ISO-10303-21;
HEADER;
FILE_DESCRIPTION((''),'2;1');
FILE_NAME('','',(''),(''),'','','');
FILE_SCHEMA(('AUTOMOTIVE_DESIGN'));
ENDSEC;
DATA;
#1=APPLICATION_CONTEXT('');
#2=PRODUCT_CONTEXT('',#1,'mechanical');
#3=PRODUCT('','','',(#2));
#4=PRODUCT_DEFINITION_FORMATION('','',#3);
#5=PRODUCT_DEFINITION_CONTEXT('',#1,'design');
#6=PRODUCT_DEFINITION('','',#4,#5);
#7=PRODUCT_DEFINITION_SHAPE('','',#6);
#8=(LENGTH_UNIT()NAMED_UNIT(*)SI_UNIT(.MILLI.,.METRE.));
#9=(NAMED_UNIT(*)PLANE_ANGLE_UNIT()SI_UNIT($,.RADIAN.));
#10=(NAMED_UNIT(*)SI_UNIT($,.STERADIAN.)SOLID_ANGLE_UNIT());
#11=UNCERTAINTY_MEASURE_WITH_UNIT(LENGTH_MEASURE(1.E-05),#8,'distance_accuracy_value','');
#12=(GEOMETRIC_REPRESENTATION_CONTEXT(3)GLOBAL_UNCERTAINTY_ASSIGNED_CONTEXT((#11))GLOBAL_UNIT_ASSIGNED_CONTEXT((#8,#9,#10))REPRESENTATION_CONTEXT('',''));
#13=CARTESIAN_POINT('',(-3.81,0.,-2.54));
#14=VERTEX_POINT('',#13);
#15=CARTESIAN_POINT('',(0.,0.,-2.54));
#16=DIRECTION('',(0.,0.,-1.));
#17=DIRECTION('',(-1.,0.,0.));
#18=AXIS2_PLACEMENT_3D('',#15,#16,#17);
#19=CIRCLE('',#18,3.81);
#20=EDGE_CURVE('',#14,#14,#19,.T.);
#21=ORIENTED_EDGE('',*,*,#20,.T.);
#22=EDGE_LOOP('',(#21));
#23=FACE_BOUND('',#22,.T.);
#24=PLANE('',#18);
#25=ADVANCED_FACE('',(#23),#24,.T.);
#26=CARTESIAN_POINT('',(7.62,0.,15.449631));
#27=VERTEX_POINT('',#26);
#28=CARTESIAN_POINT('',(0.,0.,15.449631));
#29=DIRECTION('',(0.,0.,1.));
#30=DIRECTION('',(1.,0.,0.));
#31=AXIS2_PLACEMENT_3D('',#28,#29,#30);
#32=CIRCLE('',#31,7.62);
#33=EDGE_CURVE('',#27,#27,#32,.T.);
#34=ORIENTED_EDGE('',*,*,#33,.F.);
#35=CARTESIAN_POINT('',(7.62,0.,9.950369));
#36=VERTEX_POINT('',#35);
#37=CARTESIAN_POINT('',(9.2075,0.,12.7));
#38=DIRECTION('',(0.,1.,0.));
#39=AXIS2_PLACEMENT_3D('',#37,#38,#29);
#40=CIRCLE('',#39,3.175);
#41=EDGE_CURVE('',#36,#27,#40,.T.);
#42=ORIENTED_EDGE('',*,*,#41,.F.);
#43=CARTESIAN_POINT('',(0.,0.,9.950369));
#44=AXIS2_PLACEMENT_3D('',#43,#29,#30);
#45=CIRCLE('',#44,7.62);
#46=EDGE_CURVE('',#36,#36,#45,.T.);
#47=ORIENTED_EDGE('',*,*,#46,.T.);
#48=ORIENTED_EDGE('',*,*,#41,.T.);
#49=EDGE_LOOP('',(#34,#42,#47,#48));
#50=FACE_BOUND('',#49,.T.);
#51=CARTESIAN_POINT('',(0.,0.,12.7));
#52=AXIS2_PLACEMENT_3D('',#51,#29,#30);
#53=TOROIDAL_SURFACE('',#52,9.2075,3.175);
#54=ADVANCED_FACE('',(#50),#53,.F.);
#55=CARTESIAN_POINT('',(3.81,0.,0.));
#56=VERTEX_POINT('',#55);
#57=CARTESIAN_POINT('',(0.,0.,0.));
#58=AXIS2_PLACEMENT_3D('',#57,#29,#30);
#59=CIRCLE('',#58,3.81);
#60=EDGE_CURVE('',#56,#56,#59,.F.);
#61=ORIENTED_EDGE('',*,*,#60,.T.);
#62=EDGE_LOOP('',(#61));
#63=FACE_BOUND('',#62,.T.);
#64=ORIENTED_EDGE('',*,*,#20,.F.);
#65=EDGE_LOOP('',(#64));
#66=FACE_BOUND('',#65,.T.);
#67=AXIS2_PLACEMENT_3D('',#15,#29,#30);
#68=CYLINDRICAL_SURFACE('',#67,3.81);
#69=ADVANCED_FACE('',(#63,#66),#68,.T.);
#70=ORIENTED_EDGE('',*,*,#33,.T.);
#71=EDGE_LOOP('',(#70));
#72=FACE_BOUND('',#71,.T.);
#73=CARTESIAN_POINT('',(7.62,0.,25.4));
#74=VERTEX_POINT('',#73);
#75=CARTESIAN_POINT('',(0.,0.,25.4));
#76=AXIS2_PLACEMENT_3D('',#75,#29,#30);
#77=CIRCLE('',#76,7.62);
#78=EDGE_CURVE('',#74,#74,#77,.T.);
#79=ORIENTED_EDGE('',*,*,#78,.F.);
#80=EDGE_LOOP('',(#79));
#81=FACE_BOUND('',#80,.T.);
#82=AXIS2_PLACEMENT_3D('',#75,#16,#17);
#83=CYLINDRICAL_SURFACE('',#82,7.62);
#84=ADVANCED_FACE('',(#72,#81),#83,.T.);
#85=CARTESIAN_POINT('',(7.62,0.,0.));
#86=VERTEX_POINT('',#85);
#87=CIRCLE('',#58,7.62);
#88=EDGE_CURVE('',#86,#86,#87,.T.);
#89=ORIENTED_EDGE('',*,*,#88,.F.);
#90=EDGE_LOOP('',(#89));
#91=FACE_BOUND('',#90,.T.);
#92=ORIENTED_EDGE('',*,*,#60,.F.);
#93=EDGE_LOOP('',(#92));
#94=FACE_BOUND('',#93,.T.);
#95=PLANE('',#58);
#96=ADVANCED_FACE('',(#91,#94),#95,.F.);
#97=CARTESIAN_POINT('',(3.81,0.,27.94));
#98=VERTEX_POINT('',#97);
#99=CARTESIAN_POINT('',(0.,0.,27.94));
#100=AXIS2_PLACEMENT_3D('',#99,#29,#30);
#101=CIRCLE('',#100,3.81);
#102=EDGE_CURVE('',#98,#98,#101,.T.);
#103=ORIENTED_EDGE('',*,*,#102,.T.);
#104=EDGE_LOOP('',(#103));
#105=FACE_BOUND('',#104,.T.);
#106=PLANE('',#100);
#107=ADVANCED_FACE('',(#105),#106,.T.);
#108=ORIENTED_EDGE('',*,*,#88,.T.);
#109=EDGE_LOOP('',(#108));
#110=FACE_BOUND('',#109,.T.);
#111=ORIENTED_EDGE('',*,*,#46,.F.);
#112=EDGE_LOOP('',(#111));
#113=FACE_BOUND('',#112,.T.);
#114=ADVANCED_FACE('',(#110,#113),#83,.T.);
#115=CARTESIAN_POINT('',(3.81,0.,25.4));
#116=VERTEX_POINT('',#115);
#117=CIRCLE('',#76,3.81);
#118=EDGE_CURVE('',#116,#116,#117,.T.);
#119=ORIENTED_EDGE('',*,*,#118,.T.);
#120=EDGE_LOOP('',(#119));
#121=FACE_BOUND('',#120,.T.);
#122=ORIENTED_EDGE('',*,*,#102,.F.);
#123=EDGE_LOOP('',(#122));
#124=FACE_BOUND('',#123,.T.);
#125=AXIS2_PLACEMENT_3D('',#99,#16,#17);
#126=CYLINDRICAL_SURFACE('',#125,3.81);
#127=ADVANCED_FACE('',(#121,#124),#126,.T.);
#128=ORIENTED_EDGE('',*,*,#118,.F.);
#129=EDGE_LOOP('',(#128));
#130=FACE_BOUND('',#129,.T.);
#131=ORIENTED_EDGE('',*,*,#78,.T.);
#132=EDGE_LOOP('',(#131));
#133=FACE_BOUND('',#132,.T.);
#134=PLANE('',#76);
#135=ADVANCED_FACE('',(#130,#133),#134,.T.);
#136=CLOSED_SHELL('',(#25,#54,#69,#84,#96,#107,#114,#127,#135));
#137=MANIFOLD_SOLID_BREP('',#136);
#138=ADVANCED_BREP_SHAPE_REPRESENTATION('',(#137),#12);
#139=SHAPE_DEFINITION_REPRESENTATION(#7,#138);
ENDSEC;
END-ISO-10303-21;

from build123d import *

# Parameters (mm, degrees)
SKETCH1_R           = 7.62
BOSS_EXTRUDE1_DEPTH = 25.4
SKETCH3_R           = 3.81
BOSS_EXTRUDE2_DEPTH = 2.54
SKETCH4_R           = 3.81
BOSS_EXTRUDE3_DEPTH = 2.54


with BuildPart() as part:
    # Sketch1 → Boss-Extrude1 (new body)
    with BuildSketch(Plane.XY):
        Circle(SKETCH1_R)
    extrude(amount=BOSS_EXTRUDE1_DEPTH)

    # Cut-Sweep1: sweep along a curve in space
    with BuildLine() as cut_sweep1_path:
        ThreePointArc((7.62, 0, 0), (5.388153673, 5.388153673, 0), (0, 7.62, 0))
        ThreePointArc((0, 7.62, 0), (-5.388153673, 5.388153673, 0), (-7.62, 0, 0))
        ThreePointArc((-7.62, 0, 0), (-5.388153673, -5.388153673, 0), (0, -7.62, 0))
        ThreePointArc((0, -7.62, 0), (5.388153673, -5.388153673, 0), (7.62, 0, 0))
    # Sketch2 → Cut-Sweep1 (sweep, cut)
    with BuildSketch(Plane(origin=(0, 0, 0), x_dir=(1, 0, 0), z_dir=(0, 1, 0))):
        with BuildLine():
            Line((7.62, -9.950369343), (7.62, -15.449630657))
            ThreePointArc((7.62, -15.449630657), (6.0325, -12.7), (7.62, -9.950369343))
        make_face()
    sweep(path=cut_sweep1_path.line, mode=Mode.SUBTRACT)

    # Sketch3 → Boss-Extrude2 (add)
    with BuildSketch(Plane.XY.offset(25.4)):
        Circle(SKETCH3_R)
    extrude(amount=BOSS_EXTRUDE2_DEPTH)

    # Sketch4 → Boss-Extrude3 (add)
    with BuildSketch(Plane(origin=(0, 0, 0), x_dir=(-1, 0, 0), z_dir=(0, 0, -1))):
        with Locations(Location((0, 0, 0), (0, 0, 180))):
            Circle(SKETCH4_R)
    extrude(amount=BOSS_EXTRUDE3_DEPTH)


solid = part.part
